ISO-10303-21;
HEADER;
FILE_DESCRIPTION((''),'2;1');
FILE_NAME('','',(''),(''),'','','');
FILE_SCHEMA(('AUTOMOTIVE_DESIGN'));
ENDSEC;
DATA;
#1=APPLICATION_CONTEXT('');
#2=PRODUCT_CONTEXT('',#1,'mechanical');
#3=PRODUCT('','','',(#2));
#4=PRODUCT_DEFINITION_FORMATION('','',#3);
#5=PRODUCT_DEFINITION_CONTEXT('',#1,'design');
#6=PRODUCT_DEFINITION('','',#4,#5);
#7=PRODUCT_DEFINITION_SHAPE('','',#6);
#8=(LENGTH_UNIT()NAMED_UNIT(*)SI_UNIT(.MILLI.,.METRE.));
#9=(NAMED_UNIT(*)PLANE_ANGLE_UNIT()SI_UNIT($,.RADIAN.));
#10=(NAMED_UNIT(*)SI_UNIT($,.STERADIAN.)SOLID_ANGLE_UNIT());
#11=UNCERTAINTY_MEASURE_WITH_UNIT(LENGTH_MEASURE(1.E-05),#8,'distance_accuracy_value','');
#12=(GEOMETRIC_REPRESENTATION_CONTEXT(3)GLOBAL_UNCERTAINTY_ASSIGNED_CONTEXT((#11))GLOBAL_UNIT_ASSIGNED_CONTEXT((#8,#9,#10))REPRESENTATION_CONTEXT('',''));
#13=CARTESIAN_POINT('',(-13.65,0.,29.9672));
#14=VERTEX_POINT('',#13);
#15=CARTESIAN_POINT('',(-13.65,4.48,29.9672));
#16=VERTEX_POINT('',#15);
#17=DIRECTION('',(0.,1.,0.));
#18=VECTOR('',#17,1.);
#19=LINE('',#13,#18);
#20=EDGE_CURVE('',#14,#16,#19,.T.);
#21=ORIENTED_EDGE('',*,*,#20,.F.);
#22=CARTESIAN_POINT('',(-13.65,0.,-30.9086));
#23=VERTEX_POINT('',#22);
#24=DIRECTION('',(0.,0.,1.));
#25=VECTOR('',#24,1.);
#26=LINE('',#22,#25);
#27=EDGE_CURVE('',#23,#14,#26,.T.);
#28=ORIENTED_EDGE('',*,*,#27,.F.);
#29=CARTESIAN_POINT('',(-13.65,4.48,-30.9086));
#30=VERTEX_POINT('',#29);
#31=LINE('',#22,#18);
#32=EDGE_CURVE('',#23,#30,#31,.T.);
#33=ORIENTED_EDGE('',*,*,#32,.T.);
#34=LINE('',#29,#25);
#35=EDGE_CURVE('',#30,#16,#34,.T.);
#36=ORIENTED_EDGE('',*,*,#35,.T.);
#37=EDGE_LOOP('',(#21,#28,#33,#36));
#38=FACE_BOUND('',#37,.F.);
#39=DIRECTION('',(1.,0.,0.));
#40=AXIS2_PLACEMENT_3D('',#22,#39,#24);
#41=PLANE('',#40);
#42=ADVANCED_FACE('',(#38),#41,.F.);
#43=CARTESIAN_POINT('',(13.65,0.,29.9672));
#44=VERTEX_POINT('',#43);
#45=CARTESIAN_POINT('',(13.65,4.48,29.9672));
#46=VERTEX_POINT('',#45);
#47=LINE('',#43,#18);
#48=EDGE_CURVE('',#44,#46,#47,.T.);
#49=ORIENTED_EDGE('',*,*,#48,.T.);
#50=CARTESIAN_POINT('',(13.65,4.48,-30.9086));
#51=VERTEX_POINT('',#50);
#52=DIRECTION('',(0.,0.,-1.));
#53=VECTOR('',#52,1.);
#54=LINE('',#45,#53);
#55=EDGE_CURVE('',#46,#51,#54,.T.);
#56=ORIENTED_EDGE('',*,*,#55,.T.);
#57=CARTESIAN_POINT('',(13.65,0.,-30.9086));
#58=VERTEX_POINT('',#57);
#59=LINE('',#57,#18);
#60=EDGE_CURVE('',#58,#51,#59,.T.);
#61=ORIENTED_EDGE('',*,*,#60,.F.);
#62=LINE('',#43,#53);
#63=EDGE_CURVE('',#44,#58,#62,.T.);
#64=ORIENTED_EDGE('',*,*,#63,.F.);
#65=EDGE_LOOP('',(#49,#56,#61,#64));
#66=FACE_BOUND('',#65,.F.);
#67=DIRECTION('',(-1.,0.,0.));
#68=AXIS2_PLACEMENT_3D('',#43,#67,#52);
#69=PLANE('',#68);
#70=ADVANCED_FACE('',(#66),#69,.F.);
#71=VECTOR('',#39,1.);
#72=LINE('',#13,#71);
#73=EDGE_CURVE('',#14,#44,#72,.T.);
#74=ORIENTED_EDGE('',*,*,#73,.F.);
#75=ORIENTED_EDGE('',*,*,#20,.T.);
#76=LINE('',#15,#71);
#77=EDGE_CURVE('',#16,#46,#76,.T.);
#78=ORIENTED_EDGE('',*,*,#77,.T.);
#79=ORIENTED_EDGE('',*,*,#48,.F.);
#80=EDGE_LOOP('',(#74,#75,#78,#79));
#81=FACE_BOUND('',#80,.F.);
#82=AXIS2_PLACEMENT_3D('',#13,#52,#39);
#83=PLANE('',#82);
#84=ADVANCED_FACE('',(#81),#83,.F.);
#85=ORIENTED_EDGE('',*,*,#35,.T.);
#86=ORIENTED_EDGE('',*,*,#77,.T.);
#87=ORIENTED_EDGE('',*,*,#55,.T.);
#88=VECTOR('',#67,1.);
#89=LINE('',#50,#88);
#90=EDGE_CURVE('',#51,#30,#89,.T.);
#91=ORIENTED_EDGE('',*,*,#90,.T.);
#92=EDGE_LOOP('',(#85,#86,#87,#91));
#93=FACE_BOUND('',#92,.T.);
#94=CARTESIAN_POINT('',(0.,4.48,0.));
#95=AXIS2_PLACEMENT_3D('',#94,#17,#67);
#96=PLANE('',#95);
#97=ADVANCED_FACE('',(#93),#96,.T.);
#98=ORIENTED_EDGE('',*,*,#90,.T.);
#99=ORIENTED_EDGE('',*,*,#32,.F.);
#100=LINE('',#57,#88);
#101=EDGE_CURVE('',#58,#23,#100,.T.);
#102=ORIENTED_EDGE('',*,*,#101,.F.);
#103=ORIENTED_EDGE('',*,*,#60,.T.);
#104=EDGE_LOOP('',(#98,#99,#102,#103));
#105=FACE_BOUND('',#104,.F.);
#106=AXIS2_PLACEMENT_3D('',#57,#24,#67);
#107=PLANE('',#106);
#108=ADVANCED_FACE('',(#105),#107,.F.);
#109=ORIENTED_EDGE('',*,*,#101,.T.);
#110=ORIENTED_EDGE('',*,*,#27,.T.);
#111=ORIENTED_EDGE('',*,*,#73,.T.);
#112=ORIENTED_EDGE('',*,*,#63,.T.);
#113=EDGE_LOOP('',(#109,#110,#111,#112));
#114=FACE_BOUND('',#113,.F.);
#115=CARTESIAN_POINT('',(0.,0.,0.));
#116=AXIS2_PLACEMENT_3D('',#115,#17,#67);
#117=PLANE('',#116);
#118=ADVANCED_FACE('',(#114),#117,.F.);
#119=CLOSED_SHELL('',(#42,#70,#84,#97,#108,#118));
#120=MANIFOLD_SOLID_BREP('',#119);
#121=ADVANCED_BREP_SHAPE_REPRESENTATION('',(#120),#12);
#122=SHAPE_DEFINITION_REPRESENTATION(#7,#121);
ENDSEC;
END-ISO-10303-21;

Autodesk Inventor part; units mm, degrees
ref_plane "YZ Plane" through (0, 0, 0) normal (1, 0, 0) x (0, 1, 0)
ref_plane "XZ Plane" through (0, 0, 0) normal (0, 1, 0) x (-1, 0, 0)
ref_plane "XY Plane" through (0, 0, 0) normal (0, 0, 1) x (1, 0, 0)
sketch "Sketch1" plane through (0, 0, 0) normal (0, 1, 0) x (-1, 0, 0)
  line L0 (13.65, 29.9672) -> (-13.65, 29.9672)
  line L1 (-13.65, 29.9672) -> (-13.65, -30.9086)
  line L2 (-13.65, -30.9086) -> (13.65, -30.9086)
  line L3 (13.65, -30.9086) -> (13.65, 29.9672)
  point P0 (0, 0)
  dimension "d0" = 27.3
extrude "Extrusion1" add sketch "Sketch1" along normal blind 4.48
properties part number "GateLatch" material "Iron, Cast"
